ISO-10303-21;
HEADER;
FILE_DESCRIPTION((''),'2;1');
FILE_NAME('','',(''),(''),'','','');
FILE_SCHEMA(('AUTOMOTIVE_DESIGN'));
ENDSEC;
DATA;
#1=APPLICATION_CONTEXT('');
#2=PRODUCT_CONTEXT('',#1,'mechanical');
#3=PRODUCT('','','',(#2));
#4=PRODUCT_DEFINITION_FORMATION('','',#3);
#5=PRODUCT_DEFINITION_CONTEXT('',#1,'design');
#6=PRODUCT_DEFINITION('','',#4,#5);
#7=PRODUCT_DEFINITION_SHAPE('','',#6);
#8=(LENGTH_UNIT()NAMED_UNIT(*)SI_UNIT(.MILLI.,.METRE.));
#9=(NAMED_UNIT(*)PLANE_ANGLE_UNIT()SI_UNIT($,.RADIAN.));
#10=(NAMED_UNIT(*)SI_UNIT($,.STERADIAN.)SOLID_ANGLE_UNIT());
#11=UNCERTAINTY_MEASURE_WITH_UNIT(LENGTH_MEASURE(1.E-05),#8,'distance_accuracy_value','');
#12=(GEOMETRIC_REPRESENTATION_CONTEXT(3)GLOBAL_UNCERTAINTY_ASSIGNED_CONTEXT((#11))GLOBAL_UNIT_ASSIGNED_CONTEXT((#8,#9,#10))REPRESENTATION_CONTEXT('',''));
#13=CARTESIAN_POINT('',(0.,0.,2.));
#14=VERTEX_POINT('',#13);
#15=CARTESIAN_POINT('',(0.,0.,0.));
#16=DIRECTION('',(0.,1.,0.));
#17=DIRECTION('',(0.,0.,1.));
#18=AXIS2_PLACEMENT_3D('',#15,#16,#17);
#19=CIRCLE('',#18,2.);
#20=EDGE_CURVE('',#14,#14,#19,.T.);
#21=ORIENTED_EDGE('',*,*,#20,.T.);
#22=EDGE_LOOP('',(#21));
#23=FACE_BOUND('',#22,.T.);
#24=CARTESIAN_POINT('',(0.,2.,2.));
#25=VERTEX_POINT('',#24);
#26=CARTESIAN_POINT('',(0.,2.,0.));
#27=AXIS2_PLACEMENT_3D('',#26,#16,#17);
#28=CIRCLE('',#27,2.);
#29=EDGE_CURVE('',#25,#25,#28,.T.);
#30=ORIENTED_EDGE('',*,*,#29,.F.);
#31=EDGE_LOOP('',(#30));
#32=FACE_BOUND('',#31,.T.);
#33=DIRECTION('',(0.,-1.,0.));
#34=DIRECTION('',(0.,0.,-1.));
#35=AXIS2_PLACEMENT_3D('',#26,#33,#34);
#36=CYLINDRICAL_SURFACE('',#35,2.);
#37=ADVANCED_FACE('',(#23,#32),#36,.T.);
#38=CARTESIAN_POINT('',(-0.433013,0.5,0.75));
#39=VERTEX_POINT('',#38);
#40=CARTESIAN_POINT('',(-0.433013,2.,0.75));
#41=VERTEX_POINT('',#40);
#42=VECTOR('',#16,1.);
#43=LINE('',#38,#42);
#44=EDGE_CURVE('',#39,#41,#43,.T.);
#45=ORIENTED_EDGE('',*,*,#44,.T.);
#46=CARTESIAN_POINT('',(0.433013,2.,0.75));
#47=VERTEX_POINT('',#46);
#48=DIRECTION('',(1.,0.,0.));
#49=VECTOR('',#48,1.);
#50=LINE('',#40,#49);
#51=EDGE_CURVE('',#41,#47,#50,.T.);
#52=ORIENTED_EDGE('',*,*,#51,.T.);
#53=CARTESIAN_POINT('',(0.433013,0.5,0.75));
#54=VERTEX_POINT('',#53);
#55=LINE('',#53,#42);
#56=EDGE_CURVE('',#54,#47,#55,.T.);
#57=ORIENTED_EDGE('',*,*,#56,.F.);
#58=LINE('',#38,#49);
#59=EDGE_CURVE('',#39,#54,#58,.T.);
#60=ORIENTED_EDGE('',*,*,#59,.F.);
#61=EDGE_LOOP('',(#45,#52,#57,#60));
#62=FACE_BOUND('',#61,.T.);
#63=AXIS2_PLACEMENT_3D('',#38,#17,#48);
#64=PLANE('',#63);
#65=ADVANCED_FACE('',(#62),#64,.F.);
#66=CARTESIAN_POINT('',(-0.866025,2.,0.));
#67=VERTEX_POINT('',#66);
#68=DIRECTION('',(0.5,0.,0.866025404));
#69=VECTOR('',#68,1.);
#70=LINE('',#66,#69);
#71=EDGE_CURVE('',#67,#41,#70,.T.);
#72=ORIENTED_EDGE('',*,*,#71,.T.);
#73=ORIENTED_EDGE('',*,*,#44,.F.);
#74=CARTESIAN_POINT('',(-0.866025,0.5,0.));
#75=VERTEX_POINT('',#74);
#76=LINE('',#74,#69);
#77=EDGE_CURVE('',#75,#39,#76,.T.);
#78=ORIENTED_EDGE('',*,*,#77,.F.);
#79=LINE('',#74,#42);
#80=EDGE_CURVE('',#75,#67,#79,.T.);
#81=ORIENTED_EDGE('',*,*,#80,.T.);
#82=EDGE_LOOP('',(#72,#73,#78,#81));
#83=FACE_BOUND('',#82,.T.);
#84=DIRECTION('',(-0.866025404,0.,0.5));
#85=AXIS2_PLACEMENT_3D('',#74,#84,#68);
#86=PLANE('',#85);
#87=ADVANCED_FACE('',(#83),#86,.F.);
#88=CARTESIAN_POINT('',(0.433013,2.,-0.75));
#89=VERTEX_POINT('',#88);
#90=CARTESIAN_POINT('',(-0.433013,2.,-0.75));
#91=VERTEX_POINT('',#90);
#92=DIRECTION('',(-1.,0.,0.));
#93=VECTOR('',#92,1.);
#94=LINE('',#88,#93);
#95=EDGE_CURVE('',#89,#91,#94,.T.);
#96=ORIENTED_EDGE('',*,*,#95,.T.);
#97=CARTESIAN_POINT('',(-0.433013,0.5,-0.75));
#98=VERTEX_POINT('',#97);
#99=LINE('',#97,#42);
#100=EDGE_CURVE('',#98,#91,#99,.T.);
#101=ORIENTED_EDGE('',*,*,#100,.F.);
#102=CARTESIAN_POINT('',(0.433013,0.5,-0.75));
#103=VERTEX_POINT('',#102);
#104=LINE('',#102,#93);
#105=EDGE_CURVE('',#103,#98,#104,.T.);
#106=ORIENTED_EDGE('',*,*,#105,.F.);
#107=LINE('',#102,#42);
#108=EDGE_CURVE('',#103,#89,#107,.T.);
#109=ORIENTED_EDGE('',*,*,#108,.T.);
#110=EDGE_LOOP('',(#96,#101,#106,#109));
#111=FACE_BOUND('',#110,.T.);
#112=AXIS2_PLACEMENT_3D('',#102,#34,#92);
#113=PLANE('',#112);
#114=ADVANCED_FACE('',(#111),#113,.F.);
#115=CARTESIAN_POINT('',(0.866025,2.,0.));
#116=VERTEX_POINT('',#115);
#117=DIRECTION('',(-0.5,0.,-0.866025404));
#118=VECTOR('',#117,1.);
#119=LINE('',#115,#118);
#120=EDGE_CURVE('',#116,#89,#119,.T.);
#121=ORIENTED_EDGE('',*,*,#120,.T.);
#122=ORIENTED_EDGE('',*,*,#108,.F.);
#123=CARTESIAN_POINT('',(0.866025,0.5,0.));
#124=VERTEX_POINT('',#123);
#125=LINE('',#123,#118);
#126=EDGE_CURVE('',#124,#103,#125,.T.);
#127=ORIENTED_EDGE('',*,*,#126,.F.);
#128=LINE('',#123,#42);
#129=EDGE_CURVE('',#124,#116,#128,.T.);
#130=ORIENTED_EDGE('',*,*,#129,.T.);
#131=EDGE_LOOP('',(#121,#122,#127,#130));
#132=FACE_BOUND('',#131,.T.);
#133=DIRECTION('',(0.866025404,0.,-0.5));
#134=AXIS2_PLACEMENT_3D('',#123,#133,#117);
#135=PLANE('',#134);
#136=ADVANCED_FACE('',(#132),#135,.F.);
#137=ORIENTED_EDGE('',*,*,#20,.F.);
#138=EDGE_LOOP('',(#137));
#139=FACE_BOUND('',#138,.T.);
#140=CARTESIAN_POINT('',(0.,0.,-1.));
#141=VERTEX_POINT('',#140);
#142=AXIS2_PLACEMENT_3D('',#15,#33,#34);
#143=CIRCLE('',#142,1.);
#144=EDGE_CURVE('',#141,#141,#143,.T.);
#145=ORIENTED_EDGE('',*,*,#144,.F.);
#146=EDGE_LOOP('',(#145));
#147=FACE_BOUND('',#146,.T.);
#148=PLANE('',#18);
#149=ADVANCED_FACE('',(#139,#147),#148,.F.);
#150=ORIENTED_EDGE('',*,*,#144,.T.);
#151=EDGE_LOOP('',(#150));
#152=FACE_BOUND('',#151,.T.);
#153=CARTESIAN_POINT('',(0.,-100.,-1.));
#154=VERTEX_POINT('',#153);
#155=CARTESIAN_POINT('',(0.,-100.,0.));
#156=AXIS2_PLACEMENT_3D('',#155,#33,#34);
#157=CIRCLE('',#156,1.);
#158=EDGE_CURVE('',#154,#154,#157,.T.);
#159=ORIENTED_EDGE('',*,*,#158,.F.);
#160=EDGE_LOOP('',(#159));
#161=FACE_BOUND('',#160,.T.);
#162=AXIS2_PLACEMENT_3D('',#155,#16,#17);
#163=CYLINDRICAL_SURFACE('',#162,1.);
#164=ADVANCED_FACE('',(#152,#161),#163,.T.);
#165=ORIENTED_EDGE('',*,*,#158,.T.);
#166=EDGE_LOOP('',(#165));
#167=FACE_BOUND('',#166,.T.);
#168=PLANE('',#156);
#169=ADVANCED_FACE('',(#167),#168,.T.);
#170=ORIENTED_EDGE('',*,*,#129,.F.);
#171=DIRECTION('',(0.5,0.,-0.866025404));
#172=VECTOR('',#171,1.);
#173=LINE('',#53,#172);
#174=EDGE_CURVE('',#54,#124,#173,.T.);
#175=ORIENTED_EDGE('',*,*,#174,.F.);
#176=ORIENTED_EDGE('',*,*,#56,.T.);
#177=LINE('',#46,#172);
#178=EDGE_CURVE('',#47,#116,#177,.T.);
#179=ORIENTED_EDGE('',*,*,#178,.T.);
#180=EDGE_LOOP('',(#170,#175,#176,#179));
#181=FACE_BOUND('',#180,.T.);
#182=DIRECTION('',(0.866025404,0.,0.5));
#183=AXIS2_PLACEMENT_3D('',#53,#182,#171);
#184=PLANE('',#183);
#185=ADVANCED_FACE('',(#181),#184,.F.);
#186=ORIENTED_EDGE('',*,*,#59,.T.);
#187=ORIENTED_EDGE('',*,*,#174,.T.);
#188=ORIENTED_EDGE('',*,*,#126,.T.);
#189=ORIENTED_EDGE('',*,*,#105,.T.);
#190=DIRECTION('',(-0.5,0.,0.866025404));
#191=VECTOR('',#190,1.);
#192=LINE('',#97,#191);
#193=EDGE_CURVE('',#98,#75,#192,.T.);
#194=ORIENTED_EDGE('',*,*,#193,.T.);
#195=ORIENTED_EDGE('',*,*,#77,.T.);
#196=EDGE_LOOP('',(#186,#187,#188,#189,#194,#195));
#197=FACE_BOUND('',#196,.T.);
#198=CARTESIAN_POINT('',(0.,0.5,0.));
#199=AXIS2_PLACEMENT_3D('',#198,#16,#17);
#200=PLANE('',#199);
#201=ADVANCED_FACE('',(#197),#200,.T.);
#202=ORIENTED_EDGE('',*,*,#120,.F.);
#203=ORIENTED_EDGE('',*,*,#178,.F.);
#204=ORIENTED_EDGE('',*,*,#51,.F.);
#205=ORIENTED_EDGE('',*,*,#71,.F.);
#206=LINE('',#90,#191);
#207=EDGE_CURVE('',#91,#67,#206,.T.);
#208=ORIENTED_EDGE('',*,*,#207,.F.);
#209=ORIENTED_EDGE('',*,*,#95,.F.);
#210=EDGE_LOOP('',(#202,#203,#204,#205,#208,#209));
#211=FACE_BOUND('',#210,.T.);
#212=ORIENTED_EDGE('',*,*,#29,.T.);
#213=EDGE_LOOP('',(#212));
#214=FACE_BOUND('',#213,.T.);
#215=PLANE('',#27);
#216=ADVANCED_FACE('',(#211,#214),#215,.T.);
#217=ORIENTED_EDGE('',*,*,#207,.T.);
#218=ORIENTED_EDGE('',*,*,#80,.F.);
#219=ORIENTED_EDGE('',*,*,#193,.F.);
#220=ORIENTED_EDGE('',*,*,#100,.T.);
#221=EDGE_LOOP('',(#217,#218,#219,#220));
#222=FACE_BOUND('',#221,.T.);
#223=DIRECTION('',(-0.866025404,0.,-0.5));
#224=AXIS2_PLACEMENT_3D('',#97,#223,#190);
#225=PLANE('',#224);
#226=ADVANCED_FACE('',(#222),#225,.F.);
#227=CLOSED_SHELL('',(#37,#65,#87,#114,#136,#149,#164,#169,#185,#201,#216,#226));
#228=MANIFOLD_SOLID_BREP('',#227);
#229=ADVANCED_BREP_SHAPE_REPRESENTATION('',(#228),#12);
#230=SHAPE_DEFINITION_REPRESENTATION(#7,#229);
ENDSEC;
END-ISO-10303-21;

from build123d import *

# Parameters (mm, degrees)
SKETCH_1_R            = 2
EXTRUDE_246_DEPTH     = 2
CUT_EXTRUDE_376_DEPTH = 1.5
SKETCH_3_R            = 1
EXTRUDE_477_DEPTH     = 100


with BuildPart() as part:
    # 草图1 → Extrude 246 (new body)
    with BuildSketch(Plane(origin=(0, 0, 0), x_dir=(1, 0, 0), z_dir=(0, 1, 0))):
        Circle(SKETCH_1_R)
    extrude(amount=EXTRUDE_246_DEPTH)

    # 草图2 → Cut-Extrude 376 (cut)
    with BuildSketch(Plane(origin=(0, 2, 0), x_dir=(1, 0, 0), z_dir=(0, 1, 0))):
        Polygon((0.866025404, 0), (0.433012702, 0.75), (-0.433012702, 0.75), (-0.866025404, 0), (-0.433012702, -0.75), (0.433012702, -0.75), align=None)
    extrude(amount=-CUT_EXTRUDE_376_DEPTH, mode=Mode.SUBTRACT)

    # 草图3 → Extrude 477 (add)
    with BuildSketch(Plane.XZ):
        Circle(SKETCH_3_R)
    extrude(amount=EXTRUDE_477_DEPTH)


solid = part.part
